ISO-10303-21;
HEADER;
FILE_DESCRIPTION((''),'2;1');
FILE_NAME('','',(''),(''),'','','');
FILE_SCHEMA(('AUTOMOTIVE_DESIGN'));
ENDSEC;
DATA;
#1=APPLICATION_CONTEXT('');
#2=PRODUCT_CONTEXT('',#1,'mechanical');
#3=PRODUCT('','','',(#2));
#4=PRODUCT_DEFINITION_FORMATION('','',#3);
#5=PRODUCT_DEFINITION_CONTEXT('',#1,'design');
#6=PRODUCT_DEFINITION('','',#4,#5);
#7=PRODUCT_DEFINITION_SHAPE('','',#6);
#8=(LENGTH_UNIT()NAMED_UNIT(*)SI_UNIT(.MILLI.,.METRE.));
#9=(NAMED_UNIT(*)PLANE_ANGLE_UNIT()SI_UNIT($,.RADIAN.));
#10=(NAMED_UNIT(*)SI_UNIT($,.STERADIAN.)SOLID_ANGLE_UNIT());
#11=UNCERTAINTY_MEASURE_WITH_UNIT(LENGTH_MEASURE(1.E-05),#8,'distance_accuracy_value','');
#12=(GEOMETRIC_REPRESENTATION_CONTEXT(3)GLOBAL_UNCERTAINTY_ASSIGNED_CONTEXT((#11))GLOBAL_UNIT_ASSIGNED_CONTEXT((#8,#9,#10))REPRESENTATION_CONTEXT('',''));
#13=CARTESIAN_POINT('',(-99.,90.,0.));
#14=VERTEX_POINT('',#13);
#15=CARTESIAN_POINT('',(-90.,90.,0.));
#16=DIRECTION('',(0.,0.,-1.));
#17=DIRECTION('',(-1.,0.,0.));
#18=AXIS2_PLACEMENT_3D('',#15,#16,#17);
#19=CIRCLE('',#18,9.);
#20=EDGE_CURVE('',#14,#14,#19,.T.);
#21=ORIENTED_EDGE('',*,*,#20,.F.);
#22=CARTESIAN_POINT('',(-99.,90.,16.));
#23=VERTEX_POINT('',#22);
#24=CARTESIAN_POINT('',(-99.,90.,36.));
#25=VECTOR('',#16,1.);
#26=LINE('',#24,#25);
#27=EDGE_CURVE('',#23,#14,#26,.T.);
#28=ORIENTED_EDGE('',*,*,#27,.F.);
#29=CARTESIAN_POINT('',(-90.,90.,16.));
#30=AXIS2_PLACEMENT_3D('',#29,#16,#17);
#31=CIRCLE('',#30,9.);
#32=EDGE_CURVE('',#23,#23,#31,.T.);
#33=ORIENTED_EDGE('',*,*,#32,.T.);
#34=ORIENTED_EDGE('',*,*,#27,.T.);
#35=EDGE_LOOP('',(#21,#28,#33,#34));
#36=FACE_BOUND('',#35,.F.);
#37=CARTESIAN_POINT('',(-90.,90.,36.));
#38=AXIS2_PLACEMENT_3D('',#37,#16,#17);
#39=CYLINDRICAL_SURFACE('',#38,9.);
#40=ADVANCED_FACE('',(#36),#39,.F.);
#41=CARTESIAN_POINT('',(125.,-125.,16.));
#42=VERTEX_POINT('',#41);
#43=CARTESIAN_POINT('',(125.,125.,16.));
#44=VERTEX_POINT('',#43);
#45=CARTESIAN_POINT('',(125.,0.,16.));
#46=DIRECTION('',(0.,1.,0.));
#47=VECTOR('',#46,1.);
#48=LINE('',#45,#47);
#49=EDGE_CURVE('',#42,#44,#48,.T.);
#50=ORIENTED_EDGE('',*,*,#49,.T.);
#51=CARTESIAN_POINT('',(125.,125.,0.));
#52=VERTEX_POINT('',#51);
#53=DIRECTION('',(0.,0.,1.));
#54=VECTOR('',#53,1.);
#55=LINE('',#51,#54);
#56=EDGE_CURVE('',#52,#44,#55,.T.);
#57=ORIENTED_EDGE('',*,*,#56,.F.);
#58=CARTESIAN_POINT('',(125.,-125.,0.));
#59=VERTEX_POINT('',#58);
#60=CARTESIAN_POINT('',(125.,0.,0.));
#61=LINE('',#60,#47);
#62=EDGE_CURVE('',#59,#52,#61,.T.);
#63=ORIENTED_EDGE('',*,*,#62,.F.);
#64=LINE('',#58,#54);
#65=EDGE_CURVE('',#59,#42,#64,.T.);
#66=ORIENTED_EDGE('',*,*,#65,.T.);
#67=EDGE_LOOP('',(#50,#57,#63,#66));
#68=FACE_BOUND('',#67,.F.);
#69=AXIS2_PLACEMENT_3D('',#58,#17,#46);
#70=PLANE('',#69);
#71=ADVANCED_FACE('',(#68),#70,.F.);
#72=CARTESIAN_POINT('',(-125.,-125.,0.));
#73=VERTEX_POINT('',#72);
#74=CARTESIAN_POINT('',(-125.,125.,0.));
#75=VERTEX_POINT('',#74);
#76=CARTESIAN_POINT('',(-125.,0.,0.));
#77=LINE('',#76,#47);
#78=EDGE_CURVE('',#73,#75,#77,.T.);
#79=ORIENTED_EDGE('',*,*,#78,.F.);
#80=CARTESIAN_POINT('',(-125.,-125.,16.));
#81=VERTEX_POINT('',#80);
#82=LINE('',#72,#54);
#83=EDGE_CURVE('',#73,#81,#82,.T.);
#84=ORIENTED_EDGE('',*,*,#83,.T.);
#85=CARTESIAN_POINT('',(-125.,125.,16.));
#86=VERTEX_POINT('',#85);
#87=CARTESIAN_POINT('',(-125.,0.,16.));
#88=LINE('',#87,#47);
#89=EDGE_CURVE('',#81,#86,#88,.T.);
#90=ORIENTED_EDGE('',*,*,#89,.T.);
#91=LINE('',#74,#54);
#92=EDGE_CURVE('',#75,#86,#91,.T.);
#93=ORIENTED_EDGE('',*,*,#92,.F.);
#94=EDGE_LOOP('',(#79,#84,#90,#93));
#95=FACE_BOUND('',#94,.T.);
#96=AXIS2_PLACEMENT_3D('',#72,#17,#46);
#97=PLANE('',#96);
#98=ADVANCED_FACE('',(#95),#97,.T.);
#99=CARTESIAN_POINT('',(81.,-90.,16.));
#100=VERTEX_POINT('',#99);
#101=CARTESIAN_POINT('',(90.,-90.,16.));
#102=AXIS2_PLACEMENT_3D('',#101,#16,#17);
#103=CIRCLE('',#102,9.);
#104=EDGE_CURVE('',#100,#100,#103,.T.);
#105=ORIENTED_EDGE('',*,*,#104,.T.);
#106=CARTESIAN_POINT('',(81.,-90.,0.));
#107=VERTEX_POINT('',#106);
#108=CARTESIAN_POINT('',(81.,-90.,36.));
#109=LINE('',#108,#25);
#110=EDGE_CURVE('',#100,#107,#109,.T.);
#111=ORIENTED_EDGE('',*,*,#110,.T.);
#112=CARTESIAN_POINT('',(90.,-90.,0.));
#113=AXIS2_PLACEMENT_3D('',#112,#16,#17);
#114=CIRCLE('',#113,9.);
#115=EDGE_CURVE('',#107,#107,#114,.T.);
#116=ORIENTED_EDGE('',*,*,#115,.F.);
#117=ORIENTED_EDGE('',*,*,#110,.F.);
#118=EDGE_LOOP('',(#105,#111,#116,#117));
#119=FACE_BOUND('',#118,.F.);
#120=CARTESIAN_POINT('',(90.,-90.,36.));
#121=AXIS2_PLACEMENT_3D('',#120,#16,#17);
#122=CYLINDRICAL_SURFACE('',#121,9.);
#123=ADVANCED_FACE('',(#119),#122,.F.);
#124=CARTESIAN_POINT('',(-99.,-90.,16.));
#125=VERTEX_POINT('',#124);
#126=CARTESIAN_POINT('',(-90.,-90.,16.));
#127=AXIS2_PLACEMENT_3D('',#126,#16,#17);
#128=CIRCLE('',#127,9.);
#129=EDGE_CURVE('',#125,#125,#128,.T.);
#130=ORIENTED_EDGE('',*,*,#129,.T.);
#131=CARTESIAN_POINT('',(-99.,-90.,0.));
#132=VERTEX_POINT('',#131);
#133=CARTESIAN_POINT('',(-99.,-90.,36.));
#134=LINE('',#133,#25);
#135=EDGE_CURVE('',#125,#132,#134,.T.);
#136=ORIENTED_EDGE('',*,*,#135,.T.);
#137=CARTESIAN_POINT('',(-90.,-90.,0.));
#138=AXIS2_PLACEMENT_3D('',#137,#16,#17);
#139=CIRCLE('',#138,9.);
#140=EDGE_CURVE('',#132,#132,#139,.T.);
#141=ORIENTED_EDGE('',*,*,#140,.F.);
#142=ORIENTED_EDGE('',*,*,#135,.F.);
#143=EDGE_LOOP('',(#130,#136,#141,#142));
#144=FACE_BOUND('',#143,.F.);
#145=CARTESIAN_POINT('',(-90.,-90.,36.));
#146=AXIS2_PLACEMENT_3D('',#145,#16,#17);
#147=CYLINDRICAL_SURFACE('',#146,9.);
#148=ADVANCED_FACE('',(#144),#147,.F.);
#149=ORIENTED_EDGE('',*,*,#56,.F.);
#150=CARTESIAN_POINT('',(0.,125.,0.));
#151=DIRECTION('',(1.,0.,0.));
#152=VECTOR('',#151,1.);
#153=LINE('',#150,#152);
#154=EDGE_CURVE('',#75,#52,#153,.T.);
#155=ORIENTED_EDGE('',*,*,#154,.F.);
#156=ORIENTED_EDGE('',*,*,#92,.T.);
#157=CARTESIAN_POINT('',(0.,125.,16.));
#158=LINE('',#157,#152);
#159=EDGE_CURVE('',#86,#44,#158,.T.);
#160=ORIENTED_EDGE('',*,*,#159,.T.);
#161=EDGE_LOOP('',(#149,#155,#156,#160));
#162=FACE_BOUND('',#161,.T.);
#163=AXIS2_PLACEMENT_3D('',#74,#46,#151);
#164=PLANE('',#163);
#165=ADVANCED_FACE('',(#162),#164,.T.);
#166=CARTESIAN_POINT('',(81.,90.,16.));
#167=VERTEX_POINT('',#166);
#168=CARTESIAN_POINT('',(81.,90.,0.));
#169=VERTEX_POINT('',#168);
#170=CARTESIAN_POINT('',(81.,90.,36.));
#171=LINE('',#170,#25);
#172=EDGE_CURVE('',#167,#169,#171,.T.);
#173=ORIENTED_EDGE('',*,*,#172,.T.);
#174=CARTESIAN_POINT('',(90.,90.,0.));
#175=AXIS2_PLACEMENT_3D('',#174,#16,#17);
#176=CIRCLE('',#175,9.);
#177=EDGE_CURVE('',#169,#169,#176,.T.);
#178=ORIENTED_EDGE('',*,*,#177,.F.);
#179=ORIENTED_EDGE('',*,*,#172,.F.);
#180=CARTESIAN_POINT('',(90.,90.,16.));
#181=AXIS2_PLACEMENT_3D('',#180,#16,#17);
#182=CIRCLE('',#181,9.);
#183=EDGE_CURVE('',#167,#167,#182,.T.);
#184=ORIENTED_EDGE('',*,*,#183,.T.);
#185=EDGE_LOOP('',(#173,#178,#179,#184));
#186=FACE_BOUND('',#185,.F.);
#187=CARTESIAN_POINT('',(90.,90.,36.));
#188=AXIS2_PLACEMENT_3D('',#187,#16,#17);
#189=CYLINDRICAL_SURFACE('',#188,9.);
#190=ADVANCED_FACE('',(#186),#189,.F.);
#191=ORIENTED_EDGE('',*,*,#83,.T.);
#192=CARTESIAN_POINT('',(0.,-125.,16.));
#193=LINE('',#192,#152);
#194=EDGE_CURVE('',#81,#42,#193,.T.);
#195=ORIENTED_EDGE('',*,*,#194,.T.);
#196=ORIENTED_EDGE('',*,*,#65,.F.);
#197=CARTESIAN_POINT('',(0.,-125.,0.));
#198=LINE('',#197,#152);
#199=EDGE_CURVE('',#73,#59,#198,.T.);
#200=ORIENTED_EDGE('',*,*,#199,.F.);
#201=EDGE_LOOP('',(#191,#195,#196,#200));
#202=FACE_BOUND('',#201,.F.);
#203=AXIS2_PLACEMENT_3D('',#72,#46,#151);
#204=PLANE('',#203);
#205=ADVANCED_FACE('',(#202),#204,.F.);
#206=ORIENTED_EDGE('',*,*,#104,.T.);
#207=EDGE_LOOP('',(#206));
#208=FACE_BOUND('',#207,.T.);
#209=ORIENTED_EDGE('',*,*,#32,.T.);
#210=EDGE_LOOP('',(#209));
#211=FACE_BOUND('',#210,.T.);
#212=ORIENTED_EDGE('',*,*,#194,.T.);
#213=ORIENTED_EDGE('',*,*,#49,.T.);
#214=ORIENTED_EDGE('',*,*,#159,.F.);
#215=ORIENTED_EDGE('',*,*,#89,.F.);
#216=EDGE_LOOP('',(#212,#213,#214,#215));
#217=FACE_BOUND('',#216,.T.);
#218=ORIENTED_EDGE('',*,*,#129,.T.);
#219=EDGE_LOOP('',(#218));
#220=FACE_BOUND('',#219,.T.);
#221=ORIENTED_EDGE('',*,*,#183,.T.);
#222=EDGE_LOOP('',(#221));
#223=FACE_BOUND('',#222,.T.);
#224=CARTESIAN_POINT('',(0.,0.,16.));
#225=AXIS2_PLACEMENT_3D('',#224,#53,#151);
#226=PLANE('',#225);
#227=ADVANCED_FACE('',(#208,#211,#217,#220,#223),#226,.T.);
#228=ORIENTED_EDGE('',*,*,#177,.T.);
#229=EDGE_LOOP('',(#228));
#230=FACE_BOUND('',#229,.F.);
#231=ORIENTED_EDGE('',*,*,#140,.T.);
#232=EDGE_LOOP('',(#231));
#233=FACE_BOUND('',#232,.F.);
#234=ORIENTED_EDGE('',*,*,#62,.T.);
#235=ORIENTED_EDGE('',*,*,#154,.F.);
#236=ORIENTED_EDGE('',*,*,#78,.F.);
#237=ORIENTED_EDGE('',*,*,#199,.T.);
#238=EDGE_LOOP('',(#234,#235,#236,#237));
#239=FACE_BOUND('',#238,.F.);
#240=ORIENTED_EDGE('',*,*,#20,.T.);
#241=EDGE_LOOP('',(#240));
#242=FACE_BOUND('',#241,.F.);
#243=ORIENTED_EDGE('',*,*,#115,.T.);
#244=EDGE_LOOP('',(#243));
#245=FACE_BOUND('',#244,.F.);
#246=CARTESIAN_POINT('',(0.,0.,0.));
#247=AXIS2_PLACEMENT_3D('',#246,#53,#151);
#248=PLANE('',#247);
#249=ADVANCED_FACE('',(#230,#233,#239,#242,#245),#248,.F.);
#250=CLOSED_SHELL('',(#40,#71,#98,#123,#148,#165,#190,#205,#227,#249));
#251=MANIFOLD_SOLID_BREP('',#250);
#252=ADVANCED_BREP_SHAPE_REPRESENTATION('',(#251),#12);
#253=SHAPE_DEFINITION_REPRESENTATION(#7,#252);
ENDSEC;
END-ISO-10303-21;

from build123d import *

# Parameters (mm, degrees)
F0_W     = 250
F0_H     = 250
F1_DEPTH = 16
F3_D     = 18
F3_DEPTH = 20


with BuildPart() as f1:
    # F0 (on Top) → F1 (new body)
    with BuildSketch(Plane.XY):
        Rectangle(F0_W, F0_H)
    extrude(amount=F1_DEPTH)

    # F3
    with Locations(Plane.XY.offset(16)):
        with Locations((-90, 90), (90, 90), (90, -90), (-90, -90)):
            Hole(F3_D / 2, depth=F3_DEPTH)


solid = f1.part
